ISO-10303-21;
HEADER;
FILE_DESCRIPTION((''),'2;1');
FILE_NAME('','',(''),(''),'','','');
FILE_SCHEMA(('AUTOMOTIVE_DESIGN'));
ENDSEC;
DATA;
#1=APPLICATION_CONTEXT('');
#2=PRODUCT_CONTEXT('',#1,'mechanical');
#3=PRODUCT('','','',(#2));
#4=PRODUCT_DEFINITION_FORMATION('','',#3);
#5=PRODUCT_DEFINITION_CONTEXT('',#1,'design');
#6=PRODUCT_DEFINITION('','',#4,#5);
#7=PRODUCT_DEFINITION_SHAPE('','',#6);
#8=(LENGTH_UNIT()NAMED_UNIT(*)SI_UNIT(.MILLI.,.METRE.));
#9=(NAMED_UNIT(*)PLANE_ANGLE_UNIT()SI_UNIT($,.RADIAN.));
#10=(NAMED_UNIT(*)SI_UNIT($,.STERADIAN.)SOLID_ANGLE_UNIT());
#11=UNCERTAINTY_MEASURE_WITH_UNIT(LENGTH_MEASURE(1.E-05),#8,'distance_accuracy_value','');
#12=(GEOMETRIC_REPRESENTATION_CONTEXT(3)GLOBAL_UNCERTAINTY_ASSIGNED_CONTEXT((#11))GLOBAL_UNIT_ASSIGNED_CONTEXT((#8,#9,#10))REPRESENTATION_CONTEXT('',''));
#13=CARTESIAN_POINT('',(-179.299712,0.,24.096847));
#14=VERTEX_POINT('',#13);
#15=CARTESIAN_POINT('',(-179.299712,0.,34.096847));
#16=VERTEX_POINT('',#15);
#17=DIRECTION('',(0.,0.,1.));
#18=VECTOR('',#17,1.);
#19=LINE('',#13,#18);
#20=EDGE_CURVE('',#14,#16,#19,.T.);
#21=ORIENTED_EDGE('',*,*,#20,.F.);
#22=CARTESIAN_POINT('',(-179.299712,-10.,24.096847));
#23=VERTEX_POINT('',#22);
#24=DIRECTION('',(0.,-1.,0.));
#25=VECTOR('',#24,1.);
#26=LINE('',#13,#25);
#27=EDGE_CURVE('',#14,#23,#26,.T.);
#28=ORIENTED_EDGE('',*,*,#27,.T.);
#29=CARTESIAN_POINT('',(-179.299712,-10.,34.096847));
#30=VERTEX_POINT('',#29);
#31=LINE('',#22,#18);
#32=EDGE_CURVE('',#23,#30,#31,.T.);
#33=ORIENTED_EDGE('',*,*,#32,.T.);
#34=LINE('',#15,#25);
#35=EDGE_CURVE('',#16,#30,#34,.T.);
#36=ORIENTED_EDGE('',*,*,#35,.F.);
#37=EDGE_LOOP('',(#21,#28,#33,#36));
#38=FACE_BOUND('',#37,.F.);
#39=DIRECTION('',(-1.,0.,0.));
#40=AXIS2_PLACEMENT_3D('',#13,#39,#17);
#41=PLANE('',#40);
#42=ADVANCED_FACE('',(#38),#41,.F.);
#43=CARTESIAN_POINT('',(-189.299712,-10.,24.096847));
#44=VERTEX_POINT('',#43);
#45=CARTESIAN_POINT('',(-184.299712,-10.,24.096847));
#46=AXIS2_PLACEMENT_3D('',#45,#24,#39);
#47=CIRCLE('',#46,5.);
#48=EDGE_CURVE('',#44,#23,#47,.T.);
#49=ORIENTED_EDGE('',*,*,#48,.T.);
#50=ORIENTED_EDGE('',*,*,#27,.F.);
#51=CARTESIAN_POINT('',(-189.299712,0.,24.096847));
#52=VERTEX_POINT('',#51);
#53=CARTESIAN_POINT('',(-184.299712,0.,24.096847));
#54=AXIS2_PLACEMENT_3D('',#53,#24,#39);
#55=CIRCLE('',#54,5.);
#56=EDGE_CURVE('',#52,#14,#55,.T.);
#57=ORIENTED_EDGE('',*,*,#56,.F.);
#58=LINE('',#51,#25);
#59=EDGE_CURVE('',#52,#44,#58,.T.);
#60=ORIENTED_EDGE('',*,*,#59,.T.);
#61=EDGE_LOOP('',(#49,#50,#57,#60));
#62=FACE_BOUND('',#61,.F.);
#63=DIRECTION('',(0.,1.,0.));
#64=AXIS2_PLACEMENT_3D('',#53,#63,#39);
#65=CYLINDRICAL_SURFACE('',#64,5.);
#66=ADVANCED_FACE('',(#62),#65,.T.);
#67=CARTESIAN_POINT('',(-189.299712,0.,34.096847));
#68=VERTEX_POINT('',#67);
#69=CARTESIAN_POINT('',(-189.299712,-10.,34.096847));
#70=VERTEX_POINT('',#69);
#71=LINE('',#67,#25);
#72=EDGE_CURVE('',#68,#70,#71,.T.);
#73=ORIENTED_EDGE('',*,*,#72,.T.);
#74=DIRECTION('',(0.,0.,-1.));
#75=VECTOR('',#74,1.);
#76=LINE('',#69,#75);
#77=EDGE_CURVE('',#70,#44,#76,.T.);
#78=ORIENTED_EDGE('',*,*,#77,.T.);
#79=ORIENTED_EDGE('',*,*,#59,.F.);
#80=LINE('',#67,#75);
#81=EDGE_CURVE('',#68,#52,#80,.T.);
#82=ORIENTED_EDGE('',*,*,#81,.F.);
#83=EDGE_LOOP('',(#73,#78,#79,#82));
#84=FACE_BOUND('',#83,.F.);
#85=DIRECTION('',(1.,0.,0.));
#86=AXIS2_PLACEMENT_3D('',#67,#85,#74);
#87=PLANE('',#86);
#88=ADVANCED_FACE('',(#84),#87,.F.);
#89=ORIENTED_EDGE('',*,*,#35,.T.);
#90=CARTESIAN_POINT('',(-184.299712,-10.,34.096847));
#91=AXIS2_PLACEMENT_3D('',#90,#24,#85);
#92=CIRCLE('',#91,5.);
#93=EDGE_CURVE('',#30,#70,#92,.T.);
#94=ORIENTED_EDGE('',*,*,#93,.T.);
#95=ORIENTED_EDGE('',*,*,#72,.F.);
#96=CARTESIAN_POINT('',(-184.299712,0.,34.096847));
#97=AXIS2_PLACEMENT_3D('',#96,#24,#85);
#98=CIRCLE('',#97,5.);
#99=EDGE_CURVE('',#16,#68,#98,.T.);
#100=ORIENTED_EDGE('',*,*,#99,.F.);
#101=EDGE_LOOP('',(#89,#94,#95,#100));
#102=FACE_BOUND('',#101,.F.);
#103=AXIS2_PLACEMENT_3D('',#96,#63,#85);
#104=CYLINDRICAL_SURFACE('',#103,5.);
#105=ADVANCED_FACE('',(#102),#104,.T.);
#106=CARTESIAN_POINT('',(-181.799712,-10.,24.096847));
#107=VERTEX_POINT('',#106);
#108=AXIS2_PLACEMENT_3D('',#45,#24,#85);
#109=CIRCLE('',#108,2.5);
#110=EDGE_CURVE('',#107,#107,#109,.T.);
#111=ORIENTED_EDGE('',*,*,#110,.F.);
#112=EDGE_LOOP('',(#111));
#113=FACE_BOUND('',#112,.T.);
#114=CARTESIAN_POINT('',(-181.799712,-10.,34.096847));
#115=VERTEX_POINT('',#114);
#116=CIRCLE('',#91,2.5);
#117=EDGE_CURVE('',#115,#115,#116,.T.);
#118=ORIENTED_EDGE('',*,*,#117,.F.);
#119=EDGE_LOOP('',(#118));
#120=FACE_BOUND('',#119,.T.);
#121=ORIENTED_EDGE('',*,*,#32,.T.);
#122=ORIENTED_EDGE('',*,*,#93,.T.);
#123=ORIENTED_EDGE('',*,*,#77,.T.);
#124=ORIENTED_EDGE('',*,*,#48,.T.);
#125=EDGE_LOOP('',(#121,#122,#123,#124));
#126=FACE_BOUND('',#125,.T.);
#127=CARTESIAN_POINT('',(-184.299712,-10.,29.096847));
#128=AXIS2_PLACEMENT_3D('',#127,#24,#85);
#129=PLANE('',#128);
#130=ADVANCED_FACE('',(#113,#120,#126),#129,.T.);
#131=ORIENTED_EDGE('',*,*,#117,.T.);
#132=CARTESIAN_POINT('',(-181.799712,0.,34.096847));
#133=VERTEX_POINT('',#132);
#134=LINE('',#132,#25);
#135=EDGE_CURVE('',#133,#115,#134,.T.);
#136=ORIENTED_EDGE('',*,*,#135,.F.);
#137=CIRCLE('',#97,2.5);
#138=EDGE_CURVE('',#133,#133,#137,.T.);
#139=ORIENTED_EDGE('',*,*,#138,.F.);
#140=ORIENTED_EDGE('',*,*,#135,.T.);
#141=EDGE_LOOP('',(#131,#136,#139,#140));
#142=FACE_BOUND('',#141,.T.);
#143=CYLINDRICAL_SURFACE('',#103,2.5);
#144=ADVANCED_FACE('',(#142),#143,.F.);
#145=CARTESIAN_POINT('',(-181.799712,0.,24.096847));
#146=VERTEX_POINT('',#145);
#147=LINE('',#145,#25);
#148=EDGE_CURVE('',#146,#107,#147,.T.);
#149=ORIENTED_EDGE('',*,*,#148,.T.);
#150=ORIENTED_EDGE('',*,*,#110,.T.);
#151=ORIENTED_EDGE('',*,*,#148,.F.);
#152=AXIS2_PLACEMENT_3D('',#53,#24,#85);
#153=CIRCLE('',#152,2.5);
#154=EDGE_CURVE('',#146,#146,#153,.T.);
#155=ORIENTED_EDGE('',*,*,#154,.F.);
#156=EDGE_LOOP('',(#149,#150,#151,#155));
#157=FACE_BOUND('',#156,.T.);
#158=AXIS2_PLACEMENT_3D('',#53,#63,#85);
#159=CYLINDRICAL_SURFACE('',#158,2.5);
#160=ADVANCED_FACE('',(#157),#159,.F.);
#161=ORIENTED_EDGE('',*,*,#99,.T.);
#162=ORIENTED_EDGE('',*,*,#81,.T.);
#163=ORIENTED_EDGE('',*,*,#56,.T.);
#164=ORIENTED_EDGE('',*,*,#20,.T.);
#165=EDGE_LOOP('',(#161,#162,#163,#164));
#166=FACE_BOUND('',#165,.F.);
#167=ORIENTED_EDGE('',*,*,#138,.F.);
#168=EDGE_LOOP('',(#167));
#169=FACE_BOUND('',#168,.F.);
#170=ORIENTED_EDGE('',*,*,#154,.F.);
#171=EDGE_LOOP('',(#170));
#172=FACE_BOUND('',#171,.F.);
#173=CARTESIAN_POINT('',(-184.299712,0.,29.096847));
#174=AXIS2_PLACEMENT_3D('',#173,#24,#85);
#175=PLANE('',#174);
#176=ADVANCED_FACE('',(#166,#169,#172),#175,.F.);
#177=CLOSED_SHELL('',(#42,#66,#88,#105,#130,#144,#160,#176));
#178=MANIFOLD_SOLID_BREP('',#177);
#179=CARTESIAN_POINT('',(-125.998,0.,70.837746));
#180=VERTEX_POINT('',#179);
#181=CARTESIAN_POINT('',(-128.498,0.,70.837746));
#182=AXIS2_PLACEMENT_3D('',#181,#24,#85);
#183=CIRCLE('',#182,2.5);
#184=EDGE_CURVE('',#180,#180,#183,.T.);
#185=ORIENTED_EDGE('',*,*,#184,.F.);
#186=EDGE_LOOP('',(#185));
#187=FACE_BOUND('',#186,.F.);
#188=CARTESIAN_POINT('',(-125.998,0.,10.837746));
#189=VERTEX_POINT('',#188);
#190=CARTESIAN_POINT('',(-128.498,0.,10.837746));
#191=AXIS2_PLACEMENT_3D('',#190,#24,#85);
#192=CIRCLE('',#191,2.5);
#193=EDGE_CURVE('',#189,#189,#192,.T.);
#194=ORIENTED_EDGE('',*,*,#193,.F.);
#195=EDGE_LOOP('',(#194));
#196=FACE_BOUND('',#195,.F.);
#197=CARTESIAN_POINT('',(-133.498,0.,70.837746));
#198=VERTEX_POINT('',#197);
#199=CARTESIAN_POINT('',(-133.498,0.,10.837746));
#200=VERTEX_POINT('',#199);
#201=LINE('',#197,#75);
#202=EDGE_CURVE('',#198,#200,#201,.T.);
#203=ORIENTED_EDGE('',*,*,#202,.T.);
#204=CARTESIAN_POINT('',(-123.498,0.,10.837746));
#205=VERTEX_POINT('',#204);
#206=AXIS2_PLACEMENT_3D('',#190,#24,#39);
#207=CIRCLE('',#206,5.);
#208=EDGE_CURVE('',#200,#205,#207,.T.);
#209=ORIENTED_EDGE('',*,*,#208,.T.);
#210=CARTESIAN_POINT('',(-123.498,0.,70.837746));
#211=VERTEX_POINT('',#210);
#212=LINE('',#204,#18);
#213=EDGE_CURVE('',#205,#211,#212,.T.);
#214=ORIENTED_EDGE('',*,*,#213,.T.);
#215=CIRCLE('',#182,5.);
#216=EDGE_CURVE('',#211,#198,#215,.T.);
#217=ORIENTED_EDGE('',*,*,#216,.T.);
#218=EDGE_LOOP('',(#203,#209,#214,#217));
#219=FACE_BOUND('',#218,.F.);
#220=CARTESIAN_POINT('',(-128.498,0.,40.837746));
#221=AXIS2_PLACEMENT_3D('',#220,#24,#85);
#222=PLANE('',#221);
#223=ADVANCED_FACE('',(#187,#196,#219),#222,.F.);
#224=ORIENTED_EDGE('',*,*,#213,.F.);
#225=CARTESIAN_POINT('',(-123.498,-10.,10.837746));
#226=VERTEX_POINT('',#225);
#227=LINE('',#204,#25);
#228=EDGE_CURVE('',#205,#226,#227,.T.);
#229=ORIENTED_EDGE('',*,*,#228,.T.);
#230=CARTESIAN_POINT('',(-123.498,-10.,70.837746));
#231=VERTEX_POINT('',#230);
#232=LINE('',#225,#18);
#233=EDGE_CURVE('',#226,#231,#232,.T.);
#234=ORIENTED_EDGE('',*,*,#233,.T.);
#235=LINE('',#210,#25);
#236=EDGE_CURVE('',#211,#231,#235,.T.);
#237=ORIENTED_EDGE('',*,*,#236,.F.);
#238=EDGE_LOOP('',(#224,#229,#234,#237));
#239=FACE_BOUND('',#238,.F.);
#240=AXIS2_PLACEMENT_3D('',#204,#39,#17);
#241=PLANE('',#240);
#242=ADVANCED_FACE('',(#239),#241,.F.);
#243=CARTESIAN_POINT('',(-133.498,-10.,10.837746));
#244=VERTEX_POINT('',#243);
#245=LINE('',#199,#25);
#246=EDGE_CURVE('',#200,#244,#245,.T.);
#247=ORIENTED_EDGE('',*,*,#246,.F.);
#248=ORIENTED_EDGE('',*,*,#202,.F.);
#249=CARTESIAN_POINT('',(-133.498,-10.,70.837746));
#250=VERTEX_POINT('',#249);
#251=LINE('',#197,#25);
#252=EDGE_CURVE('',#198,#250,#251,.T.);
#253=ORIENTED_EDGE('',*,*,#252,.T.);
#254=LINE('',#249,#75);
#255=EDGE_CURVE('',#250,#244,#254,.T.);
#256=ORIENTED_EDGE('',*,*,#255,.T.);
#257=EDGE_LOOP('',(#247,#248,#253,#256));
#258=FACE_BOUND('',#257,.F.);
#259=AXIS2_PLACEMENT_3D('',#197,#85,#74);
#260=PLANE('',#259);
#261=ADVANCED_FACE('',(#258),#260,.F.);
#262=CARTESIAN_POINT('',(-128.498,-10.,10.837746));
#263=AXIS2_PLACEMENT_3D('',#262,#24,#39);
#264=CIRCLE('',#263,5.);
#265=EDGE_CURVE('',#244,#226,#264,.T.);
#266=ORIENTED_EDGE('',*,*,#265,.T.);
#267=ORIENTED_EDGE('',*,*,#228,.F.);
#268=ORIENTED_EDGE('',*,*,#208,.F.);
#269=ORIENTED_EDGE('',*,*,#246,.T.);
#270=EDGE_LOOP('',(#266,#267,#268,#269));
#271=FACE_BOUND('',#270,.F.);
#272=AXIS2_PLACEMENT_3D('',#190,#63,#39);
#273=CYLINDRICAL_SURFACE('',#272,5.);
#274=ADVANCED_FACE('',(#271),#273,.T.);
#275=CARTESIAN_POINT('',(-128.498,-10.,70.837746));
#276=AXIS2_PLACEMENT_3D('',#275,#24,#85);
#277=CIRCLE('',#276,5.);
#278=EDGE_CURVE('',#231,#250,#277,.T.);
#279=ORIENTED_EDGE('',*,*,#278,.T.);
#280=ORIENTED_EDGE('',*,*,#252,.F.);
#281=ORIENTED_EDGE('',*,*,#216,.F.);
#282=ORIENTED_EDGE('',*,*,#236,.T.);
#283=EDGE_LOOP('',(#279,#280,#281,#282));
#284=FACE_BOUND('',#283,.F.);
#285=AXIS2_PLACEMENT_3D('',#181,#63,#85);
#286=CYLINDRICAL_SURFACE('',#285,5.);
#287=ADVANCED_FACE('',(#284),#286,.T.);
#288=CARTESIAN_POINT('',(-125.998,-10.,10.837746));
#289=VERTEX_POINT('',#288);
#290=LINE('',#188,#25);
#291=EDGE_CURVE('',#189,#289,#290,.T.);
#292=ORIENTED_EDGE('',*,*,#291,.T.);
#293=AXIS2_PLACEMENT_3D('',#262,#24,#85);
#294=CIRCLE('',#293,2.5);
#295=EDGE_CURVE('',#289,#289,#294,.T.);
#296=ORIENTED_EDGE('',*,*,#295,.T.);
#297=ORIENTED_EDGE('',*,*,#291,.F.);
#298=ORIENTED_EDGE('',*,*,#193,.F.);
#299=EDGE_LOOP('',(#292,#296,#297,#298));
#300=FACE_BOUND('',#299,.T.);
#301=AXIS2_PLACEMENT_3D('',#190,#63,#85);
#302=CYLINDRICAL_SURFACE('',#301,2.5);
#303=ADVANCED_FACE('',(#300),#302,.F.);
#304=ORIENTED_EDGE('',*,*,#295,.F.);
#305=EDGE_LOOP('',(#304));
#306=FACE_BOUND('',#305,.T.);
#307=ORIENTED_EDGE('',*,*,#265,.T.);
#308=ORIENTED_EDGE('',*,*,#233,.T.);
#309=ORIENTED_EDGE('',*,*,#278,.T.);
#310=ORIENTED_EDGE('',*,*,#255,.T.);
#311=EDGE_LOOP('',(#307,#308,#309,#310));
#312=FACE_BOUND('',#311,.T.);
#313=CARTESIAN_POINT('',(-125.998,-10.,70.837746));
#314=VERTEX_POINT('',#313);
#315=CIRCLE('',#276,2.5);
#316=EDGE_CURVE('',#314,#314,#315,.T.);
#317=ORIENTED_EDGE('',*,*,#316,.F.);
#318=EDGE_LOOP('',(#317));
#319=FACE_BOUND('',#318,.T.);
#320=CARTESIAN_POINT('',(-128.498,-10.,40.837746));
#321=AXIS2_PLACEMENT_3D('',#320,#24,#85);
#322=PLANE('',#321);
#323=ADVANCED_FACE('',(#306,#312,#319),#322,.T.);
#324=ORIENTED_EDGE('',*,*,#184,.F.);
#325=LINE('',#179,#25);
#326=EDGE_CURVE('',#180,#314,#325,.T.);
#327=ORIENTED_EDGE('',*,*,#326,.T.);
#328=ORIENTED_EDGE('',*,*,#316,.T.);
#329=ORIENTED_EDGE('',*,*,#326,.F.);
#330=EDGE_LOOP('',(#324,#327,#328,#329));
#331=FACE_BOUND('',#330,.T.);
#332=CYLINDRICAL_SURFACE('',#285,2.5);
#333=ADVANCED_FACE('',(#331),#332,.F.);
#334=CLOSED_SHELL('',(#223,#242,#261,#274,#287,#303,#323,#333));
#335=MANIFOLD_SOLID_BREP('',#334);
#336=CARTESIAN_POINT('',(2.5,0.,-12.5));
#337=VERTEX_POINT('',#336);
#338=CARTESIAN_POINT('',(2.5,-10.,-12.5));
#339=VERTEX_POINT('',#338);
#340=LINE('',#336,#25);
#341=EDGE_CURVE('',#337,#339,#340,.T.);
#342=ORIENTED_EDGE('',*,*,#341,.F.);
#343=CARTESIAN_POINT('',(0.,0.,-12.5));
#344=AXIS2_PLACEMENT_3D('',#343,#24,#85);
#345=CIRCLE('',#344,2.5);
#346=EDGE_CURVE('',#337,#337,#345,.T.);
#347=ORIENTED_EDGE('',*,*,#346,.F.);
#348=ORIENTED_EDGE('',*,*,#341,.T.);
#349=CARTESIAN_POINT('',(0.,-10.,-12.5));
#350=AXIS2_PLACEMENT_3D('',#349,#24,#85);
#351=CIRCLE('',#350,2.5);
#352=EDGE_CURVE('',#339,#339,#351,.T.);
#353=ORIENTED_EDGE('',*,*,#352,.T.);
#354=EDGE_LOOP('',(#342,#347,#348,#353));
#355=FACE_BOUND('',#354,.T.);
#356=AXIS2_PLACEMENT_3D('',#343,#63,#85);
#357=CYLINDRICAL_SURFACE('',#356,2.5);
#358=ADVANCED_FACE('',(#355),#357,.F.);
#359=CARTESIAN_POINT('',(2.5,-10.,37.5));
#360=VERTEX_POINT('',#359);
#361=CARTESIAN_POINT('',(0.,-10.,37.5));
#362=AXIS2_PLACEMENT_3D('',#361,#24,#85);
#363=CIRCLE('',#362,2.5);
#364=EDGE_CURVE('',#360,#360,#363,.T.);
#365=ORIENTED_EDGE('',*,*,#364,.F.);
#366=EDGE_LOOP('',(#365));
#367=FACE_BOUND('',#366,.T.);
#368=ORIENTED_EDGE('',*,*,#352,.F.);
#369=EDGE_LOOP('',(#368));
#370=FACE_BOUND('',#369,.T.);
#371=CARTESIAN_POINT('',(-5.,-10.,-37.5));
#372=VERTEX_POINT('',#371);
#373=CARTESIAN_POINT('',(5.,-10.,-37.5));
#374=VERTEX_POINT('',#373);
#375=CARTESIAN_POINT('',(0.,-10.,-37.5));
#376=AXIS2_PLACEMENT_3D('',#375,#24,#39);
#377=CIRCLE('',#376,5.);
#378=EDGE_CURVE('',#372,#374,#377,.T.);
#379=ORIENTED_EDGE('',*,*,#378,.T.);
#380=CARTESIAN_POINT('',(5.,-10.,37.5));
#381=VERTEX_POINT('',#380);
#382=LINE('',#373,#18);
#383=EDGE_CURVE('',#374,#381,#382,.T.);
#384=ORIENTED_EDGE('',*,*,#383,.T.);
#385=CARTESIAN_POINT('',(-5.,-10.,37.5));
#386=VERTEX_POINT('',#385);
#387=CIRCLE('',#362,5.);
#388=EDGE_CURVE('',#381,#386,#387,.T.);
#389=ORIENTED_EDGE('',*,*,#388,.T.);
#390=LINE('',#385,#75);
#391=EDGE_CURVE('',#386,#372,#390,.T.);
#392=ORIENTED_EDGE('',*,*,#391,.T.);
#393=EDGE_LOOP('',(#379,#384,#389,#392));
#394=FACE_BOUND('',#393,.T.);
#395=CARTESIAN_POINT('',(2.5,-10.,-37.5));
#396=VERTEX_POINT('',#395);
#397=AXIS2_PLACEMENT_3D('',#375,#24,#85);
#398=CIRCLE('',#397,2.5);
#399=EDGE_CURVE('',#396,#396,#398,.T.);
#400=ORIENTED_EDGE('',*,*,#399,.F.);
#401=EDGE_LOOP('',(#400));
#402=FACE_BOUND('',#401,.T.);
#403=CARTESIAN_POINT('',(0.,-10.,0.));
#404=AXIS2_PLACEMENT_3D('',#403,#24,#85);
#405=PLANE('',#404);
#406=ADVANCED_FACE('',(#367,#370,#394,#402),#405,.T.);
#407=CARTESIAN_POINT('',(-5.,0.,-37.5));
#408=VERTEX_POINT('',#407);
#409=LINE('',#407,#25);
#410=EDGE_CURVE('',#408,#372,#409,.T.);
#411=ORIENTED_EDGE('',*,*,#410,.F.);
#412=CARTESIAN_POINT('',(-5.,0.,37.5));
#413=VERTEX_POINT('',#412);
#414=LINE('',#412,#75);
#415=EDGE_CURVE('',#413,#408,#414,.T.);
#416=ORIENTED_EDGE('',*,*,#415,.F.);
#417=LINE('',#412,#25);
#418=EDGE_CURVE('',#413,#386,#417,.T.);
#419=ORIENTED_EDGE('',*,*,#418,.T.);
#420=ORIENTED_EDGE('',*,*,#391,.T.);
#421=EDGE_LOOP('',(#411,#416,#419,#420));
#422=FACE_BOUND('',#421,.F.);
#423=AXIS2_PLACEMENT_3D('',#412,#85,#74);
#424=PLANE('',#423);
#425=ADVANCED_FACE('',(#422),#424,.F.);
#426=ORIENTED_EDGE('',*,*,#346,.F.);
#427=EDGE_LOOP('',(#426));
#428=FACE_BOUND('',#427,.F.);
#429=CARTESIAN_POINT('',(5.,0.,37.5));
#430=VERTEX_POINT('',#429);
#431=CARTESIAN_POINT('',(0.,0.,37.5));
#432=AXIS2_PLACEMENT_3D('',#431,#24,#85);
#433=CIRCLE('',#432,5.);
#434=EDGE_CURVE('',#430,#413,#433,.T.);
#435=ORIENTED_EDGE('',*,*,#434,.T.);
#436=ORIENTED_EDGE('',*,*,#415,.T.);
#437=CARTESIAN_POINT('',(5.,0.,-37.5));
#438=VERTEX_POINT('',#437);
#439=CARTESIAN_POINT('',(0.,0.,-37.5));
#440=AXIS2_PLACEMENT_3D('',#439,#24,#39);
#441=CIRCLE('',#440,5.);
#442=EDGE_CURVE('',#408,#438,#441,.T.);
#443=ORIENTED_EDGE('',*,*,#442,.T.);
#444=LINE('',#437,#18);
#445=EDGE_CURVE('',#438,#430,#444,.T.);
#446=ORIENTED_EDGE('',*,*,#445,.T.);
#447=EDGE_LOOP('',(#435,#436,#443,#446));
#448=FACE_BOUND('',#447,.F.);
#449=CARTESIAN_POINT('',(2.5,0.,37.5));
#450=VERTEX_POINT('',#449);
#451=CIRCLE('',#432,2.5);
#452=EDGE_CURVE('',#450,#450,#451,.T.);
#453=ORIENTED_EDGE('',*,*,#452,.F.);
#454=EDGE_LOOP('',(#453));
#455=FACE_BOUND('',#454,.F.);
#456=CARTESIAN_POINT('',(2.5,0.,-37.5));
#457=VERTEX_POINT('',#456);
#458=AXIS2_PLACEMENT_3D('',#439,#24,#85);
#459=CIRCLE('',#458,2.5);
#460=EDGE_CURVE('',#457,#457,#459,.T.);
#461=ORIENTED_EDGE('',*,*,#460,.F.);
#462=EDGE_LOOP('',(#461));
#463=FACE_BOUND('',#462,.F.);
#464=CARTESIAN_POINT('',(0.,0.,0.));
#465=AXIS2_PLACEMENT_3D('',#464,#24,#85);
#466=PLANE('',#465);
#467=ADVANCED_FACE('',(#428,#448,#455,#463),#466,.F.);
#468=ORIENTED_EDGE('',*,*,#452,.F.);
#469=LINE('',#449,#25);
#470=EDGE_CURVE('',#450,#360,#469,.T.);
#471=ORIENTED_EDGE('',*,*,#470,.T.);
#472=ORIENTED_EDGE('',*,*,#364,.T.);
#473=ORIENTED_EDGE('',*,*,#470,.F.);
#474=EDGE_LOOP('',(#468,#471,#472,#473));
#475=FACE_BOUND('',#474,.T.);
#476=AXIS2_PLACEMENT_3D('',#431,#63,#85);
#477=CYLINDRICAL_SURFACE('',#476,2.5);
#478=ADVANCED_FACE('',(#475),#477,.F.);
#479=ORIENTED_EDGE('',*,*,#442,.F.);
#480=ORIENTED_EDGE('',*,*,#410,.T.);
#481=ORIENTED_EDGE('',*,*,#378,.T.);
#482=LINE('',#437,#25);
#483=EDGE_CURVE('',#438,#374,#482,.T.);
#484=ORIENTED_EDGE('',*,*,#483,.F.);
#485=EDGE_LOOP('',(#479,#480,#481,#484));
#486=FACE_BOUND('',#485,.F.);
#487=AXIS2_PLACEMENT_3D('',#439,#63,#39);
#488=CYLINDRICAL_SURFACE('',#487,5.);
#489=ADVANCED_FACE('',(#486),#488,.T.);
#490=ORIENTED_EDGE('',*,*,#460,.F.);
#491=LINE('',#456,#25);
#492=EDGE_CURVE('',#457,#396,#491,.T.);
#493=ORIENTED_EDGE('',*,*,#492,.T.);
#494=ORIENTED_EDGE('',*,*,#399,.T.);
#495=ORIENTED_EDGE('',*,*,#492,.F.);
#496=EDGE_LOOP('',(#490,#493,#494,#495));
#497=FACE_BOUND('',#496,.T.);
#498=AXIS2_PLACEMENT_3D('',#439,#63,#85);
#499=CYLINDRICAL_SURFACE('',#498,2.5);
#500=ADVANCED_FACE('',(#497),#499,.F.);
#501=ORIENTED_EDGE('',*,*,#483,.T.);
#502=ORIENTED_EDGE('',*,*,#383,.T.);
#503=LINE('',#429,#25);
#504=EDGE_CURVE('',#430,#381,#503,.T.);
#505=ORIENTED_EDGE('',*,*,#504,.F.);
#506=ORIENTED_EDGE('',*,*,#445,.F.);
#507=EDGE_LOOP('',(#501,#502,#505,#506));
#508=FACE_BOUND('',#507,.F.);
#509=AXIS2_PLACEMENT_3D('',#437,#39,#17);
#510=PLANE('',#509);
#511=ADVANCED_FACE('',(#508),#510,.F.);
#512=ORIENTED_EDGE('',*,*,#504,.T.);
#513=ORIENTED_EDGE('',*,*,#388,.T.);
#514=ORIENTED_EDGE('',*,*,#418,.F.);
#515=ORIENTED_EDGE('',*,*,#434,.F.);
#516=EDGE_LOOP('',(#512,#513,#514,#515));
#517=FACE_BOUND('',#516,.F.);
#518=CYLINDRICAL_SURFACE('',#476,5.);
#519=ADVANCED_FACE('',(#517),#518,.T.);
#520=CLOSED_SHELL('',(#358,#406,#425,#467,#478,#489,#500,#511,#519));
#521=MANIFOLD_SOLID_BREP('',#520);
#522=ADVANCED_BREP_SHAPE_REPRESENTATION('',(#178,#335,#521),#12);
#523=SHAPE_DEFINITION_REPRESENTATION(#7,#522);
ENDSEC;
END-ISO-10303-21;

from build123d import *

# Parameters (mm, degrees)
F0_R     = 2.5
F1_DEPTH = 10
F2_R     = 2.5
F3_DEPTH = 10
F4_R     = 2.5
F5_DEPTH = 10


with BuildPart() as f1:
    # F0 (on Front) → F1 (new body)
    with BuildSketch(Plane.XZ):
        with BuildLine():
            ThreePointArc((5, 37.5), (0, 42.5), (-5, 37.5))
            Line((-5, 37.5), (-5, -37.5))
            ThreePointArc((-5, -37.5), (0, -42.5), (5, -37.5))
            Line((5, -37.5), (5, 37.5))
        make_face()
        with Locations((0, -37.5)):
            Circle(F0_R, mode=Mode.SUBTRACT)
        with Locations((0, -12.5)):
            Circle(F0_R, mode=Mode.SUBTRACT)
        with Locations((0, 37.5)):
            Circle(F0_R, mode=Mode.SUBTRACT)
    extrude(amount=F1_DEPTH)


with BuildPart() as f3:
    # F2 (on Front) → F3 (new body)
    with BuildSketch(Plane.XZ):
        with BuildLine():
            ThreePointArc((-123.498, 70.837746), (-128.498, 75.837746), (-133.498, 70.837746))
            Line((-133.498, 70.837746), (-133.498, 10.837746))
            ThreePointArc((-133.498, 10.837746), (-128.498, 5.837746), (-123.498, 10.837746))
            Line((-123.498, 10.837746), (-123.498, 70.837746))
        make_face()
        with Locations((-128.498, 10.837746)):
            Circle(F2_R, mode=Mode.SUBTRACT)
        with Locations((-128.498, 70.837746)):
            Circle(F2_R, mode=Mode.SUBTRACT)
    extrude(amount=F3_DEPTH)


with BuildPart() as f5:
    # F4 (on Front) → F5 (new body)
    with BuildSketch(Plane.XZ):
        with BuildLine():
            ThreePointArc((-179.299712, 34.096847), (-184.299712, 39.096847), (-189.299712, 34.096847))
            Line((-189.299712, 34.096847), (-189.299712, 24.096847))
            ThreePointArc((-189.299712, 24.096847), (-184.299712, 19.096847), (-179.299712, 24.096847))
            Line((-179.299712, 24.096847), (-179.299712, 34.096847))
        make_face()
        with Locations((-184.299712, 24.096847)):
            Circle(F4_R, mode=Mode.SUBTRACT)
        with Locations((-184.299712, 34.096847)):
            Circle(F4_R, mode=Mode.SUBTRACT)
    extrude(amount=F5_DEPTH)


solid = Compound([f1.part, f3.part, f5.part])
